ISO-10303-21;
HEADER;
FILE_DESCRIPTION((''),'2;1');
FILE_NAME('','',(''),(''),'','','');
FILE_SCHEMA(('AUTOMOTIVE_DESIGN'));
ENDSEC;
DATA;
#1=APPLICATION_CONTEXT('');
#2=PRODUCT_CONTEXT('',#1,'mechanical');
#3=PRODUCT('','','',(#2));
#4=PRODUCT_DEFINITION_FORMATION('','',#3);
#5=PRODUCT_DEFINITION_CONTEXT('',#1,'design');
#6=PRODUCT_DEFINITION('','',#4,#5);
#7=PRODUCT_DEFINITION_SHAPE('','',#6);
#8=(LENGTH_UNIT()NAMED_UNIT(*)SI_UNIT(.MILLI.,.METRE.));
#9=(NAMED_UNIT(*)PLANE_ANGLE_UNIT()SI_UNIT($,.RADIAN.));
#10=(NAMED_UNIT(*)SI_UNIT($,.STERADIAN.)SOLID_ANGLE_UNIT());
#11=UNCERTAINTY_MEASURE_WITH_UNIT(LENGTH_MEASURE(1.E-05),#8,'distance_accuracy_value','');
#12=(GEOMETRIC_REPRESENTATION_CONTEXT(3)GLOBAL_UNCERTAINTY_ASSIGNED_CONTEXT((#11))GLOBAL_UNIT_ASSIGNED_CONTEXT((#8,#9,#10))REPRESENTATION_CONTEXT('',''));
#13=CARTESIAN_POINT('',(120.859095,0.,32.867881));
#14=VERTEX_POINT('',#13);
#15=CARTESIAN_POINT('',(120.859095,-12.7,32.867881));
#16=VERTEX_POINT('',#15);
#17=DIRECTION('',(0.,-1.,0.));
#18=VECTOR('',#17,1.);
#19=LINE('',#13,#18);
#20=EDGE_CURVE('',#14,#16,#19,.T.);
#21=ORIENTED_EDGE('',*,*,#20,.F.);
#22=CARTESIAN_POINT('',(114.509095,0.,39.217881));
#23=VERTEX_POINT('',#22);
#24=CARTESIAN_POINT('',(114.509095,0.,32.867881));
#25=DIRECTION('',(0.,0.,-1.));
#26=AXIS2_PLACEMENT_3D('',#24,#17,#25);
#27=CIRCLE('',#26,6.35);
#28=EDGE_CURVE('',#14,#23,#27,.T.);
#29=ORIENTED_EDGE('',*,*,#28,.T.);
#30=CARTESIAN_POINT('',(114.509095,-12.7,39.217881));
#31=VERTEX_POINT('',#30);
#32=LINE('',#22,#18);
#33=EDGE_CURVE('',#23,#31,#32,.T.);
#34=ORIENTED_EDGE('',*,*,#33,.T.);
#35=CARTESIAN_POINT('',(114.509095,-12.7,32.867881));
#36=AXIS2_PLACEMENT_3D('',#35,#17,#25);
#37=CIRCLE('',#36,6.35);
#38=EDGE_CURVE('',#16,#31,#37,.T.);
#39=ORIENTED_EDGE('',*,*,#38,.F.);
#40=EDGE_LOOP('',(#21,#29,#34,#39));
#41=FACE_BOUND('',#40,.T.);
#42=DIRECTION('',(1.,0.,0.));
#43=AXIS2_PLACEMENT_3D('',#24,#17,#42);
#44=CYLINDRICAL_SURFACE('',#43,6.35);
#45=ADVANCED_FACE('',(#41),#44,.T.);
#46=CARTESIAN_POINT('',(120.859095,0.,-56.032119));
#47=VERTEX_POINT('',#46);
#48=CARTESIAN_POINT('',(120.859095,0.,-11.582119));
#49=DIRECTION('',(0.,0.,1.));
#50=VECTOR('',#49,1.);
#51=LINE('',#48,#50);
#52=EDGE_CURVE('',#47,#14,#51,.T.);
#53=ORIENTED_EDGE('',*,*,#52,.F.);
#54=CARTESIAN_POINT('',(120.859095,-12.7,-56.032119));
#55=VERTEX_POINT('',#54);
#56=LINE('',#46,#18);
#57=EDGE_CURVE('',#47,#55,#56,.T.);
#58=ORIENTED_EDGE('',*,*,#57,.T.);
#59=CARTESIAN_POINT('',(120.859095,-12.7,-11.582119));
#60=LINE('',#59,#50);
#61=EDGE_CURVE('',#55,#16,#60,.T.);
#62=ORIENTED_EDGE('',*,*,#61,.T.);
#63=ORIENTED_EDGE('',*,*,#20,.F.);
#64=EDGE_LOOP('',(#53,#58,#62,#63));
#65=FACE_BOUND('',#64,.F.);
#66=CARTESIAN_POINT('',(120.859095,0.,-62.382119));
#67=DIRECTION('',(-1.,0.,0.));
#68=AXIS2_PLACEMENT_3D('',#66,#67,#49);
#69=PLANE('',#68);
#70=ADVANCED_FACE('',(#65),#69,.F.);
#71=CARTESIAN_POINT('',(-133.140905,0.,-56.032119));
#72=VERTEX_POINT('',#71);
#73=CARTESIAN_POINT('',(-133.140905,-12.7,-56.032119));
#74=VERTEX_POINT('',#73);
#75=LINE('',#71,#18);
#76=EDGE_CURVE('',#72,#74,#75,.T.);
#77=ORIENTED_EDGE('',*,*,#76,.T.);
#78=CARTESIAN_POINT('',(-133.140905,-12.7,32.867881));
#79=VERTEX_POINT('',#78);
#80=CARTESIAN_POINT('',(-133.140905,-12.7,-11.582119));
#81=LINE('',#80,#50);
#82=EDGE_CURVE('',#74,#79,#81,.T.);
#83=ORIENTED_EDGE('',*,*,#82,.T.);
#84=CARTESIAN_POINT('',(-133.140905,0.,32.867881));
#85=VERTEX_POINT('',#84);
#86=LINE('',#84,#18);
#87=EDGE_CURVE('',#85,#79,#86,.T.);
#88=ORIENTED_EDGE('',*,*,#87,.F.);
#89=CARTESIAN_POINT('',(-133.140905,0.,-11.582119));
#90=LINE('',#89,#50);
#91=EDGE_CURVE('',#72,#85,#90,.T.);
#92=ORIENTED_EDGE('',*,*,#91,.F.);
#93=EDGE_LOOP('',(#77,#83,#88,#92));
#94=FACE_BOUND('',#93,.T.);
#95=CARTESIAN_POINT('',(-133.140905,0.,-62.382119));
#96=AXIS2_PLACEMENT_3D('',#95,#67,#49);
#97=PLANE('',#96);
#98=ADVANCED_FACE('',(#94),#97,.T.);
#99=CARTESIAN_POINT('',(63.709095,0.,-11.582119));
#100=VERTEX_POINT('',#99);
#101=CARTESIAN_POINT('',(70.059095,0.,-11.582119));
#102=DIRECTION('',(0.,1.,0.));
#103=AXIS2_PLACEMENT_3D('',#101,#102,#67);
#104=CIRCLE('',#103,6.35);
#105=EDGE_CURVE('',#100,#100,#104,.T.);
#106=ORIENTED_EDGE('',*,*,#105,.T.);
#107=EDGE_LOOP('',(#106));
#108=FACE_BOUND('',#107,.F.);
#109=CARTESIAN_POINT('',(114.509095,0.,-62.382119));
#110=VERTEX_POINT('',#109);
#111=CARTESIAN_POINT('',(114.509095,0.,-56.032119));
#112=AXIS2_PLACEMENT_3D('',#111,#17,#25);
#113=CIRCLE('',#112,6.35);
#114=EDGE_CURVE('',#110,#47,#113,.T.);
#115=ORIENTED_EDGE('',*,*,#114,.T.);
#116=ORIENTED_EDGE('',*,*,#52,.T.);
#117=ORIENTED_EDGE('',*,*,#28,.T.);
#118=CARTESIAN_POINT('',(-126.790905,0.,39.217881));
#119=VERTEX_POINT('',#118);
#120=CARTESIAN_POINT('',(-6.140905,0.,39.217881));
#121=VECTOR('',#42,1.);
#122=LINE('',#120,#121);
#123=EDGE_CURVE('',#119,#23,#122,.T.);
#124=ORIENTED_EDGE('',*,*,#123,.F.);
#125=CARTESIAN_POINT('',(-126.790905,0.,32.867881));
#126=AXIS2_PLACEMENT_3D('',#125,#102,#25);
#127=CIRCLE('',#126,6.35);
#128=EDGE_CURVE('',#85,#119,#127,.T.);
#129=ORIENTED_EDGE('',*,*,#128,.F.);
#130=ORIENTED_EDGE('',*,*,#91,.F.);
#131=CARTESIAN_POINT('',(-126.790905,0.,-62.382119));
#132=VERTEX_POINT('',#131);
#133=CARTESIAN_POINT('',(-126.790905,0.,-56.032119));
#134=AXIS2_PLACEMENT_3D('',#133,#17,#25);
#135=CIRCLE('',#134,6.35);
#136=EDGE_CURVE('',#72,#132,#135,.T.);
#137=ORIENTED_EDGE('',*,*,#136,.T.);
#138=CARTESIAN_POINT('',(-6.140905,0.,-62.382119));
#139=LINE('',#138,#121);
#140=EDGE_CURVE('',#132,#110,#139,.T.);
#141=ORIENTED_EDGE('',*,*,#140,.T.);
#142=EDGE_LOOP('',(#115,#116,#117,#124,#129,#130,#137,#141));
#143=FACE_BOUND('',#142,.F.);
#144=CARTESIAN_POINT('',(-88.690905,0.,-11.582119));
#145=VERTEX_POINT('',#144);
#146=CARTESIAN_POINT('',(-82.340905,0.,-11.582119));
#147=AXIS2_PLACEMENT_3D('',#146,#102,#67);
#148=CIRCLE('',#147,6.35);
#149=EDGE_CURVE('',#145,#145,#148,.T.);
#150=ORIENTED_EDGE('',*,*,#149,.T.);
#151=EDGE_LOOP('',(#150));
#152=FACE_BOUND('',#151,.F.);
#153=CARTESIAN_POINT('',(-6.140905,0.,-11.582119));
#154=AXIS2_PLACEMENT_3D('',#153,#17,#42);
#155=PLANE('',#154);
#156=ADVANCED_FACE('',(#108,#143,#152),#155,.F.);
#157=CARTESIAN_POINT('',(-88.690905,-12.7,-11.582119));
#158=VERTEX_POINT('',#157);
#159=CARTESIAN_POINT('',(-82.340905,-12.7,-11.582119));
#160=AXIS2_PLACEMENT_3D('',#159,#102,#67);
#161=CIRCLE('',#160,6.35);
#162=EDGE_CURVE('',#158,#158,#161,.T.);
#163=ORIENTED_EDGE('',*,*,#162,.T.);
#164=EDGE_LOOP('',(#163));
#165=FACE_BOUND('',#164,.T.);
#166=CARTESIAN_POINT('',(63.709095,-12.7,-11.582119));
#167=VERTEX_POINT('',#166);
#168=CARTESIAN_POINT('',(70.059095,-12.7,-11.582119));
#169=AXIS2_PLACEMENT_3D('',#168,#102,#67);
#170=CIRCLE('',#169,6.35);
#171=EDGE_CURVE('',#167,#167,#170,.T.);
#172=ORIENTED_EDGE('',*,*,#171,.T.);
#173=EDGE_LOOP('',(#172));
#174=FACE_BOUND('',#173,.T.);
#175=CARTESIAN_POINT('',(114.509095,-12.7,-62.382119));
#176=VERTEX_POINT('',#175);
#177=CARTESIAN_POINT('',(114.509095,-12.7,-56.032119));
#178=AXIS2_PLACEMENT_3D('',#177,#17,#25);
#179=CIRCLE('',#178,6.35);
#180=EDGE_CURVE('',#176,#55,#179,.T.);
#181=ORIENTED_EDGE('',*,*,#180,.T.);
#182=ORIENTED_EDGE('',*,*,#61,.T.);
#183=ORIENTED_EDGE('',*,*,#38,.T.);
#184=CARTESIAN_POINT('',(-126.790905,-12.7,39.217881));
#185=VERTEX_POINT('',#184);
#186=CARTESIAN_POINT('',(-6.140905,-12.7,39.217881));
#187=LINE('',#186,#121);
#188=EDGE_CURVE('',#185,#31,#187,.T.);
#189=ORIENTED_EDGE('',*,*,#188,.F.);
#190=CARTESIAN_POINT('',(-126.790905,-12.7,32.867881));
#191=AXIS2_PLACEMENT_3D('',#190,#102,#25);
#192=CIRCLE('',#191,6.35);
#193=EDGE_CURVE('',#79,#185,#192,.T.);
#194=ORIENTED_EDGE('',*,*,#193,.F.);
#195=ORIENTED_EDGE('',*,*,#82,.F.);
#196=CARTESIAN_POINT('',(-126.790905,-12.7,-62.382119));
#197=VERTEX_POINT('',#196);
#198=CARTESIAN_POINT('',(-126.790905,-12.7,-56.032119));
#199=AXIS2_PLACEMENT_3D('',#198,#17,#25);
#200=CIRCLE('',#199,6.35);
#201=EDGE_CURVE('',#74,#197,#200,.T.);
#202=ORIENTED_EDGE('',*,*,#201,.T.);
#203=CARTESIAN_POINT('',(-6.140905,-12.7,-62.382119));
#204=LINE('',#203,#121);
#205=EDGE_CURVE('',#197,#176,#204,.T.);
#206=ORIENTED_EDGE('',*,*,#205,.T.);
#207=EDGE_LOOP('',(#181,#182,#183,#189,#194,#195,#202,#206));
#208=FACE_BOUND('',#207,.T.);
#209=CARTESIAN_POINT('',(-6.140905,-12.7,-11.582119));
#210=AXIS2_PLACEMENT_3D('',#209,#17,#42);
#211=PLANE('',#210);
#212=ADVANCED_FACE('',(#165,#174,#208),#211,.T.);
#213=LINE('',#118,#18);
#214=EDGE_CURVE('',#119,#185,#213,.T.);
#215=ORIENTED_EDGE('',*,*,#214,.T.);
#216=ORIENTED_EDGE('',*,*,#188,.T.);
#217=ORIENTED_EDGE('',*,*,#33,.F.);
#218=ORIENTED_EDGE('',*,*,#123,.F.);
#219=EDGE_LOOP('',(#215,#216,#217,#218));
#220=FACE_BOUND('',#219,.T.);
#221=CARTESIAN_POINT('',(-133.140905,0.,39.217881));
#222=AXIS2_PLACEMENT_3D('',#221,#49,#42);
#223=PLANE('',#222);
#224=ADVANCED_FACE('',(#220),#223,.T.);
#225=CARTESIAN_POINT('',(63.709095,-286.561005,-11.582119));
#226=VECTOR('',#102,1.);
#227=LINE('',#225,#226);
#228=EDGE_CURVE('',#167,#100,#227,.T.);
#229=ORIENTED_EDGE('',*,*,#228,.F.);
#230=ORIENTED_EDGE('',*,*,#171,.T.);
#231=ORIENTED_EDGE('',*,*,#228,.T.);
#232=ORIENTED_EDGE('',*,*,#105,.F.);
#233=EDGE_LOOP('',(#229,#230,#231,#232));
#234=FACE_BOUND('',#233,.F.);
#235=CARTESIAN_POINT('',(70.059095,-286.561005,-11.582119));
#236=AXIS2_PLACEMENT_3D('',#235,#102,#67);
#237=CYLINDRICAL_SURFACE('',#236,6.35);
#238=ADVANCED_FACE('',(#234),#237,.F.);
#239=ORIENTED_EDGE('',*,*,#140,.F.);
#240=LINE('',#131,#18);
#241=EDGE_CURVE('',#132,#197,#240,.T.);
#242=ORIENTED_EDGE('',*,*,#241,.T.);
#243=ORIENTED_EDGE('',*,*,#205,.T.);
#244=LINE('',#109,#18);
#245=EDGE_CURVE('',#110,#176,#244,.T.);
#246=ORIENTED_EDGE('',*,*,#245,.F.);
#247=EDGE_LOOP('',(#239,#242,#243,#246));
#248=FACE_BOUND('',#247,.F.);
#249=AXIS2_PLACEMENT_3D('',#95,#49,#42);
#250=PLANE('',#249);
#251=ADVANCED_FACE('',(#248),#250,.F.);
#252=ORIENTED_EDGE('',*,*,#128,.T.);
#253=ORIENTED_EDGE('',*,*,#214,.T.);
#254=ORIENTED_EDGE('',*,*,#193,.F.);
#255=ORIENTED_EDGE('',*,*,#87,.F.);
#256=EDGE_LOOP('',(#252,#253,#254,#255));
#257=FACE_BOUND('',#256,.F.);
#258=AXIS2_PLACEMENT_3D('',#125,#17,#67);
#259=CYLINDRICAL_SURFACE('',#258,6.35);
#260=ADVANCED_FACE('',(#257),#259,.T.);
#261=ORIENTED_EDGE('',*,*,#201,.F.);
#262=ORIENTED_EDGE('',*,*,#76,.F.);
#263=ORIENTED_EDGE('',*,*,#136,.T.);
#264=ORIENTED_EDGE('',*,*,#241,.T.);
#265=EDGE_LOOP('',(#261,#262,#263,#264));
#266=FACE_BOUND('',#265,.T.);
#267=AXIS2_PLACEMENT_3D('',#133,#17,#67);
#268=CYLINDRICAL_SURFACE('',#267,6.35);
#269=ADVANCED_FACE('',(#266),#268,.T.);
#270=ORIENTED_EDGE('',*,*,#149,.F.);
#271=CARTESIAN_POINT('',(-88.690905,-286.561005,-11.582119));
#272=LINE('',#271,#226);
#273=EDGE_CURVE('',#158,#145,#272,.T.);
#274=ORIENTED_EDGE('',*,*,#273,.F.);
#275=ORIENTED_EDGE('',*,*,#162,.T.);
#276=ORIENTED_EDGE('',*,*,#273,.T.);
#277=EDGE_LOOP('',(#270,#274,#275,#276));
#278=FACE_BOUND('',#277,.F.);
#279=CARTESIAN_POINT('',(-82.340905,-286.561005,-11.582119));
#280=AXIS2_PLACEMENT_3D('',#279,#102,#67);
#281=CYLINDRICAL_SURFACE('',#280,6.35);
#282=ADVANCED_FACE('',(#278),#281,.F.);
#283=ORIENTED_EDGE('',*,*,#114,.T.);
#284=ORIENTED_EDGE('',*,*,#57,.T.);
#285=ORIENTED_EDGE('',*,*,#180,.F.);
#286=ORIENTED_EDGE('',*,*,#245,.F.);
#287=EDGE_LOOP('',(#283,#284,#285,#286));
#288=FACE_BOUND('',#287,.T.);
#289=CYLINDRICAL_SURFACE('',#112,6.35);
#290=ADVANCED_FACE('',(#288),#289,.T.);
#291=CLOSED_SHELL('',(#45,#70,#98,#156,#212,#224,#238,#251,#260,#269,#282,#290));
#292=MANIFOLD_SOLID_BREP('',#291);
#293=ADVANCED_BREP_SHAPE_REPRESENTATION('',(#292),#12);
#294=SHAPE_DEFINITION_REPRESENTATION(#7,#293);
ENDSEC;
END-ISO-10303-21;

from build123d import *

# Parameters (mm, degrees)
F0_W     = 254
F0_H     = 101.6
F1_DEPTH = 12.7
F2_R     = 6.35
F4_D     = 12.7


with BuildPart() as f1:
    # F0 (on Front) → F1 (new body)
    with BuildSketch(Plane.XZ):
        with Locations((-6.140905, -11.582119)):
            Rectangle(F0_W, F0_H)
    extrude(amount=F1_DEPTH)

    # F2
    f2_edges = [f1.edges().sort_by_distance(p)[0] for p in [
        (-133.140905, -6.35, 39.217881),
        (120.859095, -6.35, 39.217881),
        (-133.140905, -6.35, -62.382119),
        (120.859095, -6.35, -62.382119),
    ]]
    fillet(f2_edges, radius=F2_R)

    # F4 (through all)
    with Locations(Plane.XZ.offset(12.7)):
        with Locations((-82.340905, -11.582119), (70.059095, -11.582119)):
            Hole(F4_D / 2)


solid = f1.part
